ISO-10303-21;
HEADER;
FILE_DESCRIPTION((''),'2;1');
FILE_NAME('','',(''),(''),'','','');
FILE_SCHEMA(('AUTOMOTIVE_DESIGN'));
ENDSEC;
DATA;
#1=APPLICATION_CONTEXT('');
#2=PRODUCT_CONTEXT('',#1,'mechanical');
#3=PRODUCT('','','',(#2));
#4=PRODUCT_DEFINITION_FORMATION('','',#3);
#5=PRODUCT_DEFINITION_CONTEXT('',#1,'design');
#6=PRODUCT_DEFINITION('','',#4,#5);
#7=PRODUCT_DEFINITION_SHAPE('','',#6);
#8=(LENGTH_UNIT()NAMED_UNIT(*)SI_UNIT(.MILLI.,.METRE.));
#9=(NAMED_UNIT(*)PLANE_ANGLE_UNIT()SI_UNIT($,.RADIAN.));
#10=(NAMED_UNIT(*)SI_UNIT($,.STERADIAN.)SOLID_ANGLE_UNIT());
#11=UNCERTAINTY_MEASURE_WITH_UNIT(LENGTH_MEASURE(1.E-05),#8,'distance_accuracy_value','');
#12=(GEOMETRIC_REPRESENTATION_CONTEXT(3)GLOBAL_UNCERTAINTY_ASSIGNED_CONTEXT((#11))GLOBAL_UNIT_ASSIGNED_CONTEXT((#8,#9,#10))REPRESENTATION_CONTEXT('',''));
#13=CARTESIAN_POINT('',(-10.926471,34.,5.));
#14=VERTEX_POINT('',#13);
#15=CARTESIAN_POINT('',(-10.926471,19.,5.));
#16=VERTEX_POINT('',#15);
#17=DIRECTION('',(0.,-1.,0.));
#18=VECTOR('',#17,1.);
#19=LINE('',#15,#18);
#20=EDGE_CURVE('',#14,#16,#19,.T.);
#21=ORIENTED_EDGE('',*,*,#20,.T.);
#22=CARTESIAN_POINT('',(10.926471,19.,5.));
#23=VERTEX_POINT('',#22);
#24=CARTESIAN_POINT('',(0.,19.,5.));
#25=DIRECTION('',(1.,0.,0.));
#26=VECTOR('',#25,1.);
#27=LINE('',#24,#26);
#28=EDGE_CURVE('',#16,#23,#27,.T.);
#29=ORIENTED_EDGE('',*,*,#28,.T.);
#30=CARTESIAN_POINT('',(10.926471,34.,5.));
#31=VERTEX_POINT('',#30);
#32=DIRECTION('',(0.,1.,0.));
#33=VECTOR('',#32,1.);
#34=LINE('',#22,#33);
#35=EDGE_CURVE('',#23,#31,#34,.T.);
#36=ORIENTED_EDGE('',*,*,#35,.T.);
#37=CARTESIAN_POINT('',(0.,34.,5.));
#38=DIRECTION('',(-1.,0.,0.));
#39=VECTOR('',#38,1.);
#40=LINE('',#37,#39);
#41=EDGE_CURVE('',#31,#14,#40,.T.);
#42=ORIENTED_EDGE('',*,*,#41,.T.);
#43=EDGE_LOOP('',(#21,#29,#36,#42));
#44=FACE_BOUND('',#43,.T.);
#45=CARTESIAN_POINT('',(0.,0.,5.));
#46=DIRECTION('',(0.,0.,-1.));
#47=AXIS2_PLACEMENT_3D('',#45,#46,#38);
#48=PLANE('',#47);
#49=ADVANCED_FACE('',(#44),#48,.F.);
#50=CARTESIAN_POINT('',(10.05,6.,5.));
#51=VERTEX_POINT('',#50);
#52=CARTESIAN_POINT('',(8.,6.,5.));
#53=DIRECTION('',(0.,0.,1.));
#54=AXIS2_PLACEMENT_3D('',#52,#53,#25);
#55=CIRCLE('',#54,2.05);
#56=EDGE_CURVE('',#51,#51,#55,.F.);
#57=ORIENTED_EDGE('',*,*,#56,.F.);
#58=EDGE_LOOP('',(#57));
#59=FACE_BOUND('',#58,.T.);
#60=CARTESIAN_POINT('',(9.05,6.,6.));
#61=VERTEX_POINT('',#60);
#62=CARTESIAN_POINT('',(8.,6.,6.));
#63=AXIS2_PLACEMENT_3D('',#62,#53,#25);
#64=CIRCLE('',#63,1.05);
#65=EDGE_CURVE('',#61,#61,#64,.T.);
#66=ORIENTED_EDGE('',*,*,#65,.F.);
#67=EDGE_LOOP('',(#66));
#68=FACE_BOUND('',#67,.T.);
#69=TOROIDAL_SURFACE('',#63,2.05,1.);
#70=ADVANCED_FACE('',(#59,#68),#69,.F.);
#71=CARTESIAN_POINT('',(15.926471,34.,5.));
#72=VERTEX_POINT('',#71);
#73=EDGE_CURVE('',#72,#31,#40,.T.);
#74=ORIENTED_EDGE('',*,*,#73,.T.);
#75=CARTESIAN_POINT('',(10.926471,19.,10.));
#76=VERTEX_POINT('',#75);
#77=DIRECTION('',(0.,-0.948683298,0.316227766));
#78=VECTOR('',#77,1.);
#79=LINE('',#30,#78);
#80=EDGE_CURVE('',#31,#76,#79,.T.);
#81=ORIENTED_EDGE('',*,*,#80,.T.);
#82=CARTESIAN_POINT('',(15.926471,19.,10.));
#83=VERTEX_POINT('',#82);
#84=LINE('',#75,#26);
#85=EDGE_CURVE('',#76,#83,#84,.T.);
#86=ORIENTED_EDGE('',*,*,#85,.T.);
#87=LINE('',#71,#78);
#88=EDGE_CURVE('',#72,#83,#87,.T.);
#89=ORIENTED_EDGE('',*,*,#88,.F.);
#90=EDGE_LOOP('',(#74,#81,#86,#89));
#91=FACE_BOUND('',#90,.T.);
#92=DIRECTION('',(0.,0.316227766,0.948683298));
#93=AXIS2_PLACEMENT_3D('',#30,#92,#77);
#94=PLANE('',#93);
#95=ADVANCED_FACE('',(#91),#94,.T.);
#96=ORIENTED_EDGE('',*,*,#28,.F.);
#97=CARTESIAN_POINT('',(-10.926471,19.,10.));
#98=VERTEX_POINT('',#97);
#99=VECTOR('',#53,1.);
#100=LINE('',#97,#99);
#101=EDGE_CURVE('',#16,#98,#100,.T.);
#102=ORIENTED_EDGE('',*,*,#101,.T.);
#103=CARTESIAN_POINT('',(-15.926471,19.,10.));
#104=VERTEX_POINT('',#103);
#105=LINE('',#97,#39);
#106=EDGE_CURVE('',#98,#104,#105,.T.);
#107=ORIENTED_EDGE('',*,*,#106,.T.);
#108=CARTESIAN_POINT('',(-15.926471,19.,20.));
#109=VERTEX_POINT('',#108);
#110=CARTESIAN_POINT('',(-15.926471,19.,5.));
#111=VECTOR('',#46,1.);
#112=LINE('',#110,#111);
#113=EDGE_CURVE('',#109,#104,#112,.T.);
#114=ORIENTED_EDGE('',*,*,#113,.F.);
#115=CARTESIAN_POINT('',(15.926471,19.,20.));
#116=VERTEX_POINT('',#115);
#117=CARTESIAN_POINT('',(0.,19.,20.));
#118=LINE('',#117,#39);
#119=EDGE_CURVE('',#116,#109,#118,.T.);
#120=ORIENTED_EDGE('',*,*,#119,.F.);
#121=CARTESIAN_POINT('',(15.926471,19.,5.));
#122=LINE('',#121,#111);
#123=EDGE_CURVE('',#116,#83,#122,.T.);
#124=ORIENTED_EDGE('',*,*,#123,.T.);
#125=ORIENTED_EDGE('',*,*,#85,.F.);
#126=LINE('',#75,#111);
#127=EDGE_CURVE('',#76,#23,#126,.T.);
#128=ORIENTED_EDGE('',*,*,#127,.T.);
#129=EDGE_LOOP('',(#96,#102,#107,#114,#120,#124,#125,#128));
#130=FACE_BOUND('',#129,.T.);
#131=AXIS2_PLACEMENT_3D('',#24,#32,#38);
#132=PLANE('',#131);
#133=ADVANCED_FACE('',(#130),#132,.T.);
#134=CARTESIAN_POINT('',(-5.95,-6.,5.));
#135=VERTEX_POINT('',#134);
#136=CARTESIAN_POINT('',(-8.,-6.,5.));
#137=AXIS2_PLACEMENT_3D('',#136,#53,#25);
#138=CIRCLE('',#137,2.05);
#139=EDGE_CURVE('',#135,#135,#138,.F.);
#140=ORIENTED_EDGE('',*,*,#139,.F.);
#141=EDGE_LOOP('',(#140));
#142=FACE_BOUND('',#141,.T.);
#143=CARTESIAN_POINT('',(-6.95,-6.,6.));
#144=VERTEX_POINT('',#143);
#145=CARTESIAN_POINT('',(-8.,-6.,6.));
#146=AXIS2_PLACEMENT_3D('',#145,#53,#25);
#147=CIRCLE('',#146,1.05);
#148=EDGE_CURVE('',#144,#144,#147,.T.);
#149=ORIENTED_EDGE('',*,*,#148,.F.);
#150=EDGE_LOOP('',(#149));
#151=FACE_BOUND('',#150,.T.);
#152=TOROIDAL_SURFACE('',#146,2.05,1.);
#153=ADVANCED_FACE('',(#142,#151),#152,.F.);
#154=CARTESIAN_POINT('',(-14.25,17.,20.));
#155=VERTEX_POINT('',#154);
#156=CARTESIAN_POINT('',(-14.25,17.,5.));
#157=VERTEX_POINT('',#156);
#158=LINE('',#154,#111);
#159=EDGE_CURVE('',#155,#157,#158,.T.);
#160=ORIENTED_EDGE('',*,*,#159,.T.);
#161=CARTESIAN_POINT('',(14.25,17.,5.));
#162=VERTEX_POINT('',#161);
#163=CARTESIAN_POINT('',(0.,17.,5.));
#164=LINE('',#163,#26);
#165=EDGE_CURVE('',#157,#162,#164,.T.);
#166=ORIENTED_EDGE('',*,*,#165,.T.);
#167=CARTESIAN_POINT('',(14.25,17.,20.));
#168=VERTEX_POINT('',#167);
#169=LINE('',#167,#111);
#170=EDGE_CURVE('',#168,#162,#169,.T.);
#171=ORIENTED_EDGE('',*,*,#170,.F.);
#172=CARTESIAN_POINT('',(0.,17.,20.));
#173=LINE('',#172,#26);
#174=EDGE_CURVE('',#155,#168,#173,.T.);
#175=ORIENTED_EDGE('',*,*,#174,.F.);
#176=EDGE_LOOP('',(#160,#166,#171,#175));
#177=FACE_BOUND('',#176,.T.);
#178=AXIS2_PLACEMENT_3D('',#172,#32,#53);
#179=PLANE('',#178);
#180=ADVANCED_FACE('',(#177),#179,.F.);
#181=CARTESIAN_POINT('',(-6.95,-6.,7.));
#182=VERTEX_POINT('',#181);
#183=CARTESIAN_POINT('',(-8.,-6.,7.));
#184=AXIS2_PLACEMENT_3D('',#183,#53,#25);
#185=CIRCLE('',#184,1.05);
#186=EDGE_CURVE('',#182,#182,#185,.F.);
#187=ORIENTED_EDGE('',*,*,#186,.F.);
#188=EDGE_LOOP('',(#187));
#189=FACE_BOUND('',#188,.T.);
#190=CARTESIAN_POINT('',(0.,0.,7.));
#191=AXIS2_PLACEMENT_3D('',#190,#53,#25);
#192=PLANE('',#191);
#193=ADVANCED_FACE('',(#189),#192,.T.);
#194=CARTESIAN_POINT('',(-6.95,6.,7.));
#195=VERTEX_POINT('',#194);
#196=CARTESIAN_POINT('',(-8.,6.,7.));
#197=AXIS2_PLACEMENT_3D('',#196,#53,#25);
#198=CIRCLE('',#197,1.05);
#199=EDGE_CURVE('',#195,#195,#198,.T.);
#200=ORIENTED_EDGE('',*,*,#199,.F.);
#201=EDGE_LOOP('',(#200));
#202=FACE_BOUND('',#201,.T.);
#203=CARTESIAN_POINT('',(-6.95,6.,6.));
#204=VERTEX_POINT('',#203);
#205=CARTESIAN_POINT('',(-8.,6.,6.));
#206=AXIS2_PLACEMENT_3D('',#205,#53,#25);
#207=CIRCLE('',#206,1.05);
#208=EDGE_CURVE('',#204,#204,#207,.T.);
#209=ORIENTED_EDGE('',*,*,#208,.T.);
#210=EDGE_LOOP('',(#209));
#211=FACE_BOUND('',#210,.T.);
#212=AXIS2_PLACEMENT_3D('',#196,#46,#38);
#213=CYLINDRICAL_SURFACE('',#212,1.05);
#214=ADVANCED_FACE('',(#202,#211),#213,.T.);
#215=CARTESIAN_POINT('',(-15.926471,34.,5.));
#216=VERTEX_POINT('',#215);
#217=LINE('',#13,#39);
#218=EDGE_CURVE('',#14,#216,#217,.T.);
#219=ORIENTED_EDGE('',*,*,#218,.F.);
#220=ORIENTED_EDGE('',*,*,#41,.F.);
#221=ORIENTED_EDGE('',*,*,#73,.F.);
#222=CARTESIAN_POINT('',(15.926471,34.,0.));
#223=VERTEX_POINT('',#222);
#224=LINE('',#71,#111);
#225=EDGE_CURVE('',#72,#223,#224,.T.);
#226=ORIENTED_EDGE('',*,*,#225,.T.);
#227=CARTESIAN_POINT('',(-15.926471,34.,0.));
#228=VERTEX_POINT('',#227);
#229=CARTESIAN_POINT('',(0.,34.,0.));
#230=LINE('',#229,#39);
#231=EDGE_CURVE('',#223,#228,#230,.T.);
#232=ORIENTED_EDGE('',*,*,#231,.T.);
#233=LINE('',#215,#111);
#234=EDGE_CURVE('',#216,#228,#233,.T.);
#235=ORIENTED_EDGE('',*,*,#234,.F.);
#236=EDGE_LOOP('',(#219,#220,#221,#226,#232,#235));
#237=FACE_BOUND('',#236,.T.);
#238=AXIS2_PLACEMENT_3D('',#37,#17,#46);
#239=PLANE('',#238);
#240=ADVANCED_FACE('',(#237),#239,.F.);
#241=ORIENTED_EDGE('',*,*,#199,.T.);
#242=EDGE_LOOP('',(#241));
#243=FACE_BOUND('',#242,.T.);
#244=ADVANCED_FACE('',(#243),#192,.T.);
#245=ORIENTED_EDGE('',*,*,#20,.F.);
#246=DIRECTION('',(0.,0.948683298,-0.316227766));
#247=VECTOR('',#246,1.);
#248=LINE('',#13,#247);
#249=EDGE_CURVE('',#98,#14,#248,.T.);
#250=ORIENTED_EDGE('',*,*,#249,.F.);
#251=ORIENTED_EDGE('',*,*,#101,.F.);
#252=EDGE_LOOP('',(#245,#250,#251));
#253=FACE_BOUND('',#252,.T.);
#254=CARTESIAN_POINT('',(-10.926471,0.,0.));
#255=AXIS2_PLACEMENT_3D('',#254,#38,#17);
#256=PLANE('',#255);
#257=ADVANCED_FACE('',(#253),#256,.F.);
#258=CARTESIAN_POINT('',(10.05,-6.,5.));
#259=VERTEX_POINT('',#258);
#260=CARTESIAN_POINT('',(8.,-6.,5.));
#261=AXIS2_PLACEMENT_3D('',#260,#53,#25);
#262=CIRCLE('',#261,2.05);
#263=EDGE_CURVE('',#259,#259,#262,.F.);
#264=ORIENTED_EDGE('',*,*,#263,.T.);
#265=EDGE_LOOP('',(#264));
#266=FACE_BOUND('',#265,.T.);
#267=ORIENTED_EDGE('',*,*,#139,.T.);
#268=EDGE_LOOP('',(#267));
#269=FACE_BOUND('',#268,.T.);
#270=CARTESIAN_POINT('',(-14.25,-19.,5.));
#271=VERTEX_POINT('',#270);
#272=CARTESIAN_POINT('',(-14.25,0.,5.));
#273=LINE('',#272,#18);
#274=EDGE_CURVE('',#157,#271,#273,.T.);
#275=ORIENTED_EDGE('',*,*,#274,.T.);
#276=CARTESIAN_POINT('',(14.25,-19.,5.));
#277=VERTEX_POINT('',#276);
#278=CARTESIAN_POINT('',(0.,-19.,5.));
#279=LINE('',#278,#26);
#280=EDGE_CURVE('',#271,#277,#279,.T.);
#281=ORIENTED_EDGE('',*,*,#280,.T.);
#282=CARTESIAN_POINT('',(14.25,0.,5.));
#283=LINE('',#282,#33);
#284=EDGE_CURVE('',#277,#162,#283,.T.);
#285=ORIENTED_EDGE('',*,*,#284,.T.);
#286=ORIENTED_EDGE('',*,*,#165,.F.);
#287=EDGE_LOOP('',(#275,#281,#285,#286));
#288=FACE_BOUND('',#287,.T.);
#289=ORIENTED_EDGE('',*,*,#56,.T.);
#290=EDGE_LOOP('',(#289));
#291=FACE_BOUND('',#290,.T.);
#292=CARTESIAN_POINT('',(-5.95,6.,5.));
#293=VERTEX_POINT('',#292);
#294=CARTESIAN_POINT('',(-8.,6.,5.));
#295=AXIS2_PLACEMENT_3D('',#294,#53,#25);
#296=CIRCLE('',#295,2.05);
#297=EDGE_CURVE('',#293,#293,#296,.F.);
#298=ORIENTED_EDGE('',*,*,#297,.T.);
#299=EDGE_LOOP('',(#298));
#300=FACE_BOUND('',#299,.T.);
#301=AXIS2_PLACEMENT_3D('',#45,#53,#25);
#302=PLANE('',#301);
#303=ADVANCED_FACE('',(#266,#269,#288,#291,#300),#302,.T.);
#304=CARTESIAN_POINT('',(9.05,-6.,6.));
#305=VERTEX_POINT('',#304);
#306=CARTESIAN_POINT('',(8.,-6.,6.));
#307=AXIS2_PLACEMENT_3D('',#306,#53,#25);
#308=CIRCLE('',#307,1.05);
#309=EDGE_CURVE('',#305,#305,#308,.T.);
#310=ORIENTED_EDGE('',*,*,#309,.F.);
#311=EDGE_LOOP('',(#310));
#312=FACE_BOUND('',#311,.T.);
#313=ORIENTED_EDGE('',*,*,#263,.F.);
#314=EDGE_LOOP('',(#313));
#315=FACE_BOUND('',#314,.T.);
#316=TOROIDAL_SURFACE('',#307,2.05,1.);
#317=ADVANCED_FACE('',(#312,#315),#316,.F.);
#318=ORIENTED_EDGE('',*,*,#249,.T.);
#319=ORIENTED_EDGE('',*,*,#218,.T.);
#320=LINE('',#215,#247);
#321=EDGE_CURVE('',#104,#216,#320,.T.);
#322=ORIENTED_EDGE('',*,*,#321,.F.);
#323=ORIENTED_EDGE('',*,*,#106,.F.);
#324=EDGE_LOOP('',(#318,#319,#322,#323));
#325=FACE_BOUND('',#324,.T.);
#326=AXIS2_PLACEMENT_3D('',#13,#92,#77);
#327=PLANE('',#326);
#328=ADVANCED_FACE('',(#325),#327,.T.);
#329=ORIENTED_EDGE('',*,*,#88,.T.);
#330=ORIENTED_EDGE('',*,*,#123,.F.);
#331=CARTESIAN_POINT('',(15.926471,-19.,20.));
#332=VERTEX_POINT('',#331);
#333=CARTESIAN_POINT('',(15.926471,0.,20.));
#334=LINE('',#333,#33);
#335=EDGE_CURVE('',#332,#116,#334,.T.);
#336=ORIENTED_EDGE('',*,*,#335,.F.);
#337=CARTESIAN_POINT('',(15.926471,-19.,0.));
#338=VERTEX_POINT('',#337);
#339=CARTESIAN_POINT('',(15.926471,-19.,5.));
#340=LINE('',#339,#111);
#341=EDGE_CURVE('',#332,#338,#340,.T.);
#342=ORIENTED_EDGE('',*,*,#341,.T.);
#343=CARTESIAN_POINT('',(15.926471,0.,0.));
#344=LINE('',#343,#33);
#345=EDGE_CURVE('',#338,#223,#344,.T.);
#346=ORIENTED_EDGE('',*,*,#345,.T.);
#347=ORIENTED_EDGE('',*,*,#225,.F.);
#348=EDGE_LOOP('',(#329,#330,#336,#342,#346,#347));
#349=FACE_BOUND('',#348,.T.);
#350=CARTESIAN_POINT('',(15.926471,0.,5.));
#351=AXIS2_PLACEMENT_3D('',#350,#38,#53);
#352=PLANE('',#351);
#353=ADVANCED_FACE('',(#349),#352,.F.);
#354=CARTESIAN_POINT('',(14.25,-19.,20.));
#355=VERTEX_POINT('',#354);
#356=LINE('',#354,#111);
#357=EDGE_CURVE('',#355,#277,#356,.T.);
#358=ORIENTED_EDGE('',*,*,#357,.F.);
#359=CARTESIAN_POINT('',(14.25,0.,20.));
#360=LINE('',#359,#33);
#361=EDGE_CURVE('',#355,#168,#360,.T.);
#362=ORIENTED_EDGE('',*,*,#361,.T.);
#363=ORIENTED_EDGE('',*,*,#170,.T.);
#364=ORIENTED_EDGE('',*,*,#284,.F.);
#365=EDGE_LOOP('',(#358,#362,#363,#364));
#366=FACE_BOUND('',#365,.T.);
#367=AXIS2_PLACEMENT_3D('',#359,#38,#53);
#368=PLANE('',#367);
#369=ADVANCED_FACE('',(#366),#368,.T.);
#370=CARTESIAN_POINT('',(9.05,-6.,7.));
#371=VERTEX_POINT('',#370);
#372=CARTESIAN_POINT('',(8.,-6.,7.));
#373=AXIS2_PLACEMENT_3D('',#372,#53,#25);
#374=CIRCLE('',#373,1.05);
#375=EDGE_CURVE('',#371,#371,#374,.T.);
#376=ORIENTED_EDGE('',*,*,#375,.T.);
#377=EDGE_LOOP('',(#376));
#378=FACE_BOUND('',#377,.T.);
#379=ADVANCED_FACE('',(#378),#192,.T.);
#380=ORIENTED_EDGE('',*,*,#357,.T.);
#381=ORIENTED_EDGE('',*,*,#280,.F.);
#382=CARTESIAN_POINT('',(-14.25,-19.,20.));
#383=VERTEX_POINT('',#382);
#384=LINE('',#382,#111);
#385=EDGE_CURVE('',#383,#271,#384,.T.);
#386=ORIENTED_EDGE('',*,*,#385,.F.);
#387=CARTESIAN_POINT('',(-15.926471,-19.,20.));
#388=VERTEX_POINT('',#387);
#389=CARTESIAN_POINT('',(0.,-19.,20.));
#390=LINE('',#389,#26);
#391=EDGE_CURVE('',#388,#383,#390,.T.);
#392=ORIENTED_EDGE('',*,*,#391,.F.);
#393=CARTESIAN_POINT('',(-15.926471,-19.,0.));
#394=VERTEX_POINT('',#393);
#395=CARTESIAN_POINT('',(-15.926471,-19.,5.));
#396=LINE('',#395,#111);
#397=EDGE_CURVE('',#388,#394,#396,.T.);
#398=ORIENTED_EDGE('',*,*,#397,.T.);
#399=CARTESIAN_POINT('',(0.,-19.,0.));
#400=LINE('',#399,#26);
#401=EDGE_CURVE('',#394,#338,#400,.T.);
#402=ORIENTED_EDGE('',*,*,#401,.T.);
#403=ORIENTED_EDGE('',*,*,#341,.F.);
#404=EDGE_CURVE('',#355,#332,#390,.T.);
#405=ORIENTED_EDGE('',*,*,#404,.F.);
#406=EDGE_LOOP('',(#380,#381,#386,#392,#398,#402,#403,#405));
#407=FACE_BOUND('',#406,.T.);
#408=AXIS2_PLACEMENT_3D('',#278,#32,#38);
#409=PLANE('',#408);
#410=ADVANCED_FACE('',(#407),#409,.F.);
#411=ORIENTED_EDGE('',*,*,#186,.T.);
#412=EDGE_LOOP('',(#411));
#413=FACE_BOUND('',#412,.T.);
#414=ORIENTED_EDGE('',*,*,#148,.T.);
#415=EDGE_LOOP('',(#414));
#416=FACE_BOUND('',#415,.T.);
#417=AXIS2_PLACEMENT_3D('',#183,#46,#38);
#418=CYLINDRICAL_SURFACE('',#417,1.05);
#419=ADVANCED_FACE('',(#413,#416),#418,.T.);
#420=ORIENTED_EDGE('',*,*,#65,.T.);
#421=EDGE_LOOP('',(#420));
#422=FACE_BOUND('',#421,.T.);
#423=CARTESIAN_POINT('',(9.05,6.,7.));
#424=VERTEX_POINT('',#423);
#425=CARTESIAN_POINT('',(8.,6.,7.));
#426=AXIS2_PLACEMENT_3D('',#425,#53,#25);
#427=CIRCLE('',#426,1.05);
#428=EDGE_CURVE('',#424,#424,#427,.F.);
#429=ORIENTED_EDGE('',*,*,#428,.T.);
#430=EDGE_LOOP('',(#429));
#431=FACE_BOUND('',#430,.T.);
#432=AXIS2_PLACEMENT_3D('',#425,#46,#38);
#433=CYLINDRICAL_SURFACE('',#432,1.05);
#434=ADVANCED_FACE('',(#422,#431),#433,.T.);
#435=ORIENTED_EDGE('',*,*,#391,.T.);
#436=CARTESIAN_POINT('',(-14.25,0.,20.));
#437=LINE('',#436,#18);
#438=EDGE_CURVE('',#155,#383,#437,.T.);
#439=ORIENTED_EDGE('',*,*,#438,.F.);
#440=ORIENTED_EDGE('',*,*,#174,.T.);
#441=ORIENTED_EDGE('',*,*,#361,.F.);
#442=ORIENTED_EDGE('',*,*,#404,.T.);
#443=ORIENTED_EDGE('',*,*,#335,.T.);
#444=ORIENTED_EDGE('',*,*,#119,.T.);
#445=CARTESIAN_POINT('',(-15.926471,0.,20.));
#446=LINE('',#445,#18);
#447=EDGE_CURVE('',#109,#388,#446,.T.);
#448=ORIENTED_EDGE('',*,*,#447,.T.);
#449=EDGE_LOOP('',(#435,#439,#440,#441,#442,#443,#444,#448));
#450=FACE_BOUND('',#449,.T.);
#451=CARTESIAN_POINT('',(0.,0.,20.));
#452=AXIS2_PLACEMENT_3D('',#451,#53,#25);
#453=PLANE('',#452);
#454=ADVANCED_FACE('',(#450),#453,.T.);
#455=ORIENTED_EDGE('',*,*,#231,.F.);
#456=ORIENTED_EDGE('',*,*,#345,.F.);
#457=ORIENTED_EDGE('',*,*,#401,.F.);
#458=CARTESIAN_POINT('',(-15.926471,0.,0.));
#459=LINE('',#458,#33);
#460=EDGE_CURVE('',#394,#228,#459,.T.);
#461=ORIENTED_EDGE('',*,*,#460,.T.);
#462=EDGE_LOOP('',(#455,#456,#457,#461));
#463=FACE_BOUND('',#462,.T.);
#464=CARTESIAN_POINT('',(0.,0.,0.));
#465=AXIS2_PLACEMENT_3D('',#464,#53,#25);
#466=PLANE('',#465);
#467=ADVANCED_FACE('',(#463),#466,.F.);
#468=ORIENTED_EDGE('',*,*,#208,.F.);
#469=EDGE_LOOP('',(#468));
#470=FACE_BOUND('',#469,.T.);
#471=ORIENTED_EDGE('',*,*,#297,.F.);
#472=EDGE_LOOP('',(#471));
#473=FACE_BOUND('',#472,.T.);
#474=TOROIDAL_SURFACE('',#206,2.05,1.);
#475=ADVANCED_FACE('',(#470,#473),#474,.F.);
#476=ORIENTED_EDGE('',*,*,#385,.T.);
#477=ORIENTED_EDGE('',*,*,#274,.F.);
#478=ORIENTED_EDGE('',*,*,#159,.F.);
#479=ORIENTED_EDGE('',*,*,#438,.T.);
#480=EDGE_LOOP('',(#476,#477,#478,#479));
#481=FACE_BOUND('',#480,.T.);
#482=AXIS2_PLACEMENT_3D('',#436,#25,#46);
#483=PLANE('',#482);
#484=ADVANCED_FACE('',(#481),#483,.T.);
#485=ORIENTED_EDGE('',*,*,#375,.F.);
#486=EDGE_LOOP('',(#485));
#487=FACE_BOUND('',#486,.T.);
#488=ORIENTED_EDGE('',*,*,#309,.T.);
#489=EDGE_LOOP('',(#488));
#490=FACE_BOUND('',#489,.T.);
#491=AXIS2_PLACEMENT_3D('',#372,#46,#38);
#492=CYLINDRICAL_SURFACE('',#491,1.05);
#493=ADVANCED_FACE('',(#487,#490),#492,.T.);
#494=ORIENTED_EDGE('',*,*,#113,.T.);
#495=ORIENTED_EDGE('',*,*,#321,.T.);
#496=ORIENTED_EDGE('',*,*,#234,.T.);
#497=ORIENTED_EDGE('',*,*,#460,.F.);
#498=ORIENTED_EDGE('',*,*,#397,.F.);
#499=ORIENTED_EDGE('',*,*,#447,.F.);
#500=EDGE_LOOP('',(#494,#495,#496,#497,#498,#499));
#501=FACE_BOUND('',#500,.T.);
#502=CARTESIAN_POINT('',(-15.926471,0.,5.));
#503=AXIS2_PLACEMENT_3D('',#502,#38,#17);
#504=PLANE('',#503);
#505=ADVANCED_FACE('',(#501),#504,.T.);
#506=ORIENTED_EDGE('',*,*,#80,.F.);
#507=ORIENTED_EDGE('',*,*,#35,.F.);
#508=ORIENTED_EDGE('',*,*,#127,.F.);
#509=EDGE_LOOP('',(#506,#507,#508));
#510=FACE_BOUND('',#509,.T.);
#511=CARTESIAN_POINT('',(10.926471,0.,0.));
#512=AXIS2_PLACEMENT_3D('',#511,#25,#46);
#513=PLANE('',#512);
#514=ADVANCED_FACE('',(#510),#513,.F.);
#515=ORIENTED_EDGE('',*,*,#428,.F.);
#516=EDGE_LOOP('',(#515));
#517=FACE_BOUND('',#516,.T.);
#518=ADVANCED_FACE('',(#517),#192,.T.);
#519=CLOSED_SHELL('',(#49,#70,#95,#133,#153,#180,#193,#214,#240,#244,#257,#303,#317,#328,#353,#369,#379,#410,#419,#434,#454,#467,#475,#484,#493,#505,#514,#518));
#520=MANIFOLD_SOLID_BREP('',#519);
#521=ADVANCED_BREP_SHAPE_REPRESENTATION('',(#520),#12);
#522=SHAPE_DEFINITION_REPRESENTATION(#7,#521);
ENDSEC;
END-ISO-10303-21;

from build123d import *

# Parameters (mm, degrees)
SKETCH_1_W      = 31.852941176
SKETCH_1_H      = 38
EXTRUDE_1_DEPTH = 5
EXTRUDE_2_DEPTH = 15
SKETCH_3_R      = 1.05
EXTRUDE_3_DEPTH = 2
SKETCH_4_W      = 31.852941176
SKETCH_4_H      = 15
EXTRUDE_4_DEPTH = 5
EXTRUDE_5_DEPTH = 5
EXTRUDE_6_DEPTH = 5
FILLET_1_R      = 1


with BuildPart() as part:
    # 草图1 → 凸台-拉伸1 (new body)
    with BuildSketch(Plane.XY):
        Rectangle(SKETCH_1_W, SKETCH_1_H)
    extrude(amount=EXTRUDE_1_DEPTH)

    # 草图2 → 凸台-拉伸2 (add)
    with BuildSketch(Plane.XY.offset(5)):
        Polygon((-14.25, -19), (-14.25, -17), (-14.25, 17), (14.25, 17), (14.25, -17), (14.25, -19), (15.926470588, -19), (15.926470588, 19), (-15.926470588, 19), (-15.926470588, -19), align=None)
    extrude(amount=EXTRUDE_2_DEPTH)

    # 草图3 → 凸台-拉伸3 (add)
    with BuildSketch(Plane.XY.offset(5)):
        with Locations((-8, 6)):
            Circle(SKETCH_3_R)
        with Locations((8, 6)):
            Circle(SKETCH_3_R)
        with Locations((-8, -6)):
            Circle(SKETCH_3_R)
        with Locations((8, -6)):
            Circle(SKETCH_3_R)
    extrude(amount=EXTRUDE_3_DEPTH)

    # 草图4 → 凸台-拉伸4 (add)
    with BuildSketch(Plane(origin=(0, 0, 0), x_dir=(-1, 0, 0), z_dir=(0, 0, -1))):
        with Locations((0, 26.5)):
            Rectangle(SKETCH_4_W, SKETCH_4_H)
    extrude(amount=-EXTRUDE_4_DEPTH)

    # 草图5 → 凸台-拉伸5 (add)
    with BuildSketch(Plane.ZY.offset(15.926470588)):
        Polygon((5, 34), (10, 19), (5, 19), align=None)
    extrude(amount=-EXTRUDE_5_DEPTH)

    # 草图6 → 凸台-拉伸6 (add)
    with BuildSketch(Plane(origin=(15.926470588, 0, 0), x_dir=(0, 0, -1), z_dir=(1, 0, 0))):
        Polygon((-5, 19), (-5, 34), (-10, 19), align=None)
    extrude(amount=-EXTRUDE_6_DEPTH)

    # 圆角1
    fillet_1_edges = [part.edges().sort_by_distance(p)[0] for p in [
        (-9.05, 6, 5),
        (6.95, 6, 5),
        (-9.05, -6, 5),
        (6.95, -6, 5),
    ]]
    fillet(fillet_1_edges, radius=FILLET_1_R)


solid = part.part
